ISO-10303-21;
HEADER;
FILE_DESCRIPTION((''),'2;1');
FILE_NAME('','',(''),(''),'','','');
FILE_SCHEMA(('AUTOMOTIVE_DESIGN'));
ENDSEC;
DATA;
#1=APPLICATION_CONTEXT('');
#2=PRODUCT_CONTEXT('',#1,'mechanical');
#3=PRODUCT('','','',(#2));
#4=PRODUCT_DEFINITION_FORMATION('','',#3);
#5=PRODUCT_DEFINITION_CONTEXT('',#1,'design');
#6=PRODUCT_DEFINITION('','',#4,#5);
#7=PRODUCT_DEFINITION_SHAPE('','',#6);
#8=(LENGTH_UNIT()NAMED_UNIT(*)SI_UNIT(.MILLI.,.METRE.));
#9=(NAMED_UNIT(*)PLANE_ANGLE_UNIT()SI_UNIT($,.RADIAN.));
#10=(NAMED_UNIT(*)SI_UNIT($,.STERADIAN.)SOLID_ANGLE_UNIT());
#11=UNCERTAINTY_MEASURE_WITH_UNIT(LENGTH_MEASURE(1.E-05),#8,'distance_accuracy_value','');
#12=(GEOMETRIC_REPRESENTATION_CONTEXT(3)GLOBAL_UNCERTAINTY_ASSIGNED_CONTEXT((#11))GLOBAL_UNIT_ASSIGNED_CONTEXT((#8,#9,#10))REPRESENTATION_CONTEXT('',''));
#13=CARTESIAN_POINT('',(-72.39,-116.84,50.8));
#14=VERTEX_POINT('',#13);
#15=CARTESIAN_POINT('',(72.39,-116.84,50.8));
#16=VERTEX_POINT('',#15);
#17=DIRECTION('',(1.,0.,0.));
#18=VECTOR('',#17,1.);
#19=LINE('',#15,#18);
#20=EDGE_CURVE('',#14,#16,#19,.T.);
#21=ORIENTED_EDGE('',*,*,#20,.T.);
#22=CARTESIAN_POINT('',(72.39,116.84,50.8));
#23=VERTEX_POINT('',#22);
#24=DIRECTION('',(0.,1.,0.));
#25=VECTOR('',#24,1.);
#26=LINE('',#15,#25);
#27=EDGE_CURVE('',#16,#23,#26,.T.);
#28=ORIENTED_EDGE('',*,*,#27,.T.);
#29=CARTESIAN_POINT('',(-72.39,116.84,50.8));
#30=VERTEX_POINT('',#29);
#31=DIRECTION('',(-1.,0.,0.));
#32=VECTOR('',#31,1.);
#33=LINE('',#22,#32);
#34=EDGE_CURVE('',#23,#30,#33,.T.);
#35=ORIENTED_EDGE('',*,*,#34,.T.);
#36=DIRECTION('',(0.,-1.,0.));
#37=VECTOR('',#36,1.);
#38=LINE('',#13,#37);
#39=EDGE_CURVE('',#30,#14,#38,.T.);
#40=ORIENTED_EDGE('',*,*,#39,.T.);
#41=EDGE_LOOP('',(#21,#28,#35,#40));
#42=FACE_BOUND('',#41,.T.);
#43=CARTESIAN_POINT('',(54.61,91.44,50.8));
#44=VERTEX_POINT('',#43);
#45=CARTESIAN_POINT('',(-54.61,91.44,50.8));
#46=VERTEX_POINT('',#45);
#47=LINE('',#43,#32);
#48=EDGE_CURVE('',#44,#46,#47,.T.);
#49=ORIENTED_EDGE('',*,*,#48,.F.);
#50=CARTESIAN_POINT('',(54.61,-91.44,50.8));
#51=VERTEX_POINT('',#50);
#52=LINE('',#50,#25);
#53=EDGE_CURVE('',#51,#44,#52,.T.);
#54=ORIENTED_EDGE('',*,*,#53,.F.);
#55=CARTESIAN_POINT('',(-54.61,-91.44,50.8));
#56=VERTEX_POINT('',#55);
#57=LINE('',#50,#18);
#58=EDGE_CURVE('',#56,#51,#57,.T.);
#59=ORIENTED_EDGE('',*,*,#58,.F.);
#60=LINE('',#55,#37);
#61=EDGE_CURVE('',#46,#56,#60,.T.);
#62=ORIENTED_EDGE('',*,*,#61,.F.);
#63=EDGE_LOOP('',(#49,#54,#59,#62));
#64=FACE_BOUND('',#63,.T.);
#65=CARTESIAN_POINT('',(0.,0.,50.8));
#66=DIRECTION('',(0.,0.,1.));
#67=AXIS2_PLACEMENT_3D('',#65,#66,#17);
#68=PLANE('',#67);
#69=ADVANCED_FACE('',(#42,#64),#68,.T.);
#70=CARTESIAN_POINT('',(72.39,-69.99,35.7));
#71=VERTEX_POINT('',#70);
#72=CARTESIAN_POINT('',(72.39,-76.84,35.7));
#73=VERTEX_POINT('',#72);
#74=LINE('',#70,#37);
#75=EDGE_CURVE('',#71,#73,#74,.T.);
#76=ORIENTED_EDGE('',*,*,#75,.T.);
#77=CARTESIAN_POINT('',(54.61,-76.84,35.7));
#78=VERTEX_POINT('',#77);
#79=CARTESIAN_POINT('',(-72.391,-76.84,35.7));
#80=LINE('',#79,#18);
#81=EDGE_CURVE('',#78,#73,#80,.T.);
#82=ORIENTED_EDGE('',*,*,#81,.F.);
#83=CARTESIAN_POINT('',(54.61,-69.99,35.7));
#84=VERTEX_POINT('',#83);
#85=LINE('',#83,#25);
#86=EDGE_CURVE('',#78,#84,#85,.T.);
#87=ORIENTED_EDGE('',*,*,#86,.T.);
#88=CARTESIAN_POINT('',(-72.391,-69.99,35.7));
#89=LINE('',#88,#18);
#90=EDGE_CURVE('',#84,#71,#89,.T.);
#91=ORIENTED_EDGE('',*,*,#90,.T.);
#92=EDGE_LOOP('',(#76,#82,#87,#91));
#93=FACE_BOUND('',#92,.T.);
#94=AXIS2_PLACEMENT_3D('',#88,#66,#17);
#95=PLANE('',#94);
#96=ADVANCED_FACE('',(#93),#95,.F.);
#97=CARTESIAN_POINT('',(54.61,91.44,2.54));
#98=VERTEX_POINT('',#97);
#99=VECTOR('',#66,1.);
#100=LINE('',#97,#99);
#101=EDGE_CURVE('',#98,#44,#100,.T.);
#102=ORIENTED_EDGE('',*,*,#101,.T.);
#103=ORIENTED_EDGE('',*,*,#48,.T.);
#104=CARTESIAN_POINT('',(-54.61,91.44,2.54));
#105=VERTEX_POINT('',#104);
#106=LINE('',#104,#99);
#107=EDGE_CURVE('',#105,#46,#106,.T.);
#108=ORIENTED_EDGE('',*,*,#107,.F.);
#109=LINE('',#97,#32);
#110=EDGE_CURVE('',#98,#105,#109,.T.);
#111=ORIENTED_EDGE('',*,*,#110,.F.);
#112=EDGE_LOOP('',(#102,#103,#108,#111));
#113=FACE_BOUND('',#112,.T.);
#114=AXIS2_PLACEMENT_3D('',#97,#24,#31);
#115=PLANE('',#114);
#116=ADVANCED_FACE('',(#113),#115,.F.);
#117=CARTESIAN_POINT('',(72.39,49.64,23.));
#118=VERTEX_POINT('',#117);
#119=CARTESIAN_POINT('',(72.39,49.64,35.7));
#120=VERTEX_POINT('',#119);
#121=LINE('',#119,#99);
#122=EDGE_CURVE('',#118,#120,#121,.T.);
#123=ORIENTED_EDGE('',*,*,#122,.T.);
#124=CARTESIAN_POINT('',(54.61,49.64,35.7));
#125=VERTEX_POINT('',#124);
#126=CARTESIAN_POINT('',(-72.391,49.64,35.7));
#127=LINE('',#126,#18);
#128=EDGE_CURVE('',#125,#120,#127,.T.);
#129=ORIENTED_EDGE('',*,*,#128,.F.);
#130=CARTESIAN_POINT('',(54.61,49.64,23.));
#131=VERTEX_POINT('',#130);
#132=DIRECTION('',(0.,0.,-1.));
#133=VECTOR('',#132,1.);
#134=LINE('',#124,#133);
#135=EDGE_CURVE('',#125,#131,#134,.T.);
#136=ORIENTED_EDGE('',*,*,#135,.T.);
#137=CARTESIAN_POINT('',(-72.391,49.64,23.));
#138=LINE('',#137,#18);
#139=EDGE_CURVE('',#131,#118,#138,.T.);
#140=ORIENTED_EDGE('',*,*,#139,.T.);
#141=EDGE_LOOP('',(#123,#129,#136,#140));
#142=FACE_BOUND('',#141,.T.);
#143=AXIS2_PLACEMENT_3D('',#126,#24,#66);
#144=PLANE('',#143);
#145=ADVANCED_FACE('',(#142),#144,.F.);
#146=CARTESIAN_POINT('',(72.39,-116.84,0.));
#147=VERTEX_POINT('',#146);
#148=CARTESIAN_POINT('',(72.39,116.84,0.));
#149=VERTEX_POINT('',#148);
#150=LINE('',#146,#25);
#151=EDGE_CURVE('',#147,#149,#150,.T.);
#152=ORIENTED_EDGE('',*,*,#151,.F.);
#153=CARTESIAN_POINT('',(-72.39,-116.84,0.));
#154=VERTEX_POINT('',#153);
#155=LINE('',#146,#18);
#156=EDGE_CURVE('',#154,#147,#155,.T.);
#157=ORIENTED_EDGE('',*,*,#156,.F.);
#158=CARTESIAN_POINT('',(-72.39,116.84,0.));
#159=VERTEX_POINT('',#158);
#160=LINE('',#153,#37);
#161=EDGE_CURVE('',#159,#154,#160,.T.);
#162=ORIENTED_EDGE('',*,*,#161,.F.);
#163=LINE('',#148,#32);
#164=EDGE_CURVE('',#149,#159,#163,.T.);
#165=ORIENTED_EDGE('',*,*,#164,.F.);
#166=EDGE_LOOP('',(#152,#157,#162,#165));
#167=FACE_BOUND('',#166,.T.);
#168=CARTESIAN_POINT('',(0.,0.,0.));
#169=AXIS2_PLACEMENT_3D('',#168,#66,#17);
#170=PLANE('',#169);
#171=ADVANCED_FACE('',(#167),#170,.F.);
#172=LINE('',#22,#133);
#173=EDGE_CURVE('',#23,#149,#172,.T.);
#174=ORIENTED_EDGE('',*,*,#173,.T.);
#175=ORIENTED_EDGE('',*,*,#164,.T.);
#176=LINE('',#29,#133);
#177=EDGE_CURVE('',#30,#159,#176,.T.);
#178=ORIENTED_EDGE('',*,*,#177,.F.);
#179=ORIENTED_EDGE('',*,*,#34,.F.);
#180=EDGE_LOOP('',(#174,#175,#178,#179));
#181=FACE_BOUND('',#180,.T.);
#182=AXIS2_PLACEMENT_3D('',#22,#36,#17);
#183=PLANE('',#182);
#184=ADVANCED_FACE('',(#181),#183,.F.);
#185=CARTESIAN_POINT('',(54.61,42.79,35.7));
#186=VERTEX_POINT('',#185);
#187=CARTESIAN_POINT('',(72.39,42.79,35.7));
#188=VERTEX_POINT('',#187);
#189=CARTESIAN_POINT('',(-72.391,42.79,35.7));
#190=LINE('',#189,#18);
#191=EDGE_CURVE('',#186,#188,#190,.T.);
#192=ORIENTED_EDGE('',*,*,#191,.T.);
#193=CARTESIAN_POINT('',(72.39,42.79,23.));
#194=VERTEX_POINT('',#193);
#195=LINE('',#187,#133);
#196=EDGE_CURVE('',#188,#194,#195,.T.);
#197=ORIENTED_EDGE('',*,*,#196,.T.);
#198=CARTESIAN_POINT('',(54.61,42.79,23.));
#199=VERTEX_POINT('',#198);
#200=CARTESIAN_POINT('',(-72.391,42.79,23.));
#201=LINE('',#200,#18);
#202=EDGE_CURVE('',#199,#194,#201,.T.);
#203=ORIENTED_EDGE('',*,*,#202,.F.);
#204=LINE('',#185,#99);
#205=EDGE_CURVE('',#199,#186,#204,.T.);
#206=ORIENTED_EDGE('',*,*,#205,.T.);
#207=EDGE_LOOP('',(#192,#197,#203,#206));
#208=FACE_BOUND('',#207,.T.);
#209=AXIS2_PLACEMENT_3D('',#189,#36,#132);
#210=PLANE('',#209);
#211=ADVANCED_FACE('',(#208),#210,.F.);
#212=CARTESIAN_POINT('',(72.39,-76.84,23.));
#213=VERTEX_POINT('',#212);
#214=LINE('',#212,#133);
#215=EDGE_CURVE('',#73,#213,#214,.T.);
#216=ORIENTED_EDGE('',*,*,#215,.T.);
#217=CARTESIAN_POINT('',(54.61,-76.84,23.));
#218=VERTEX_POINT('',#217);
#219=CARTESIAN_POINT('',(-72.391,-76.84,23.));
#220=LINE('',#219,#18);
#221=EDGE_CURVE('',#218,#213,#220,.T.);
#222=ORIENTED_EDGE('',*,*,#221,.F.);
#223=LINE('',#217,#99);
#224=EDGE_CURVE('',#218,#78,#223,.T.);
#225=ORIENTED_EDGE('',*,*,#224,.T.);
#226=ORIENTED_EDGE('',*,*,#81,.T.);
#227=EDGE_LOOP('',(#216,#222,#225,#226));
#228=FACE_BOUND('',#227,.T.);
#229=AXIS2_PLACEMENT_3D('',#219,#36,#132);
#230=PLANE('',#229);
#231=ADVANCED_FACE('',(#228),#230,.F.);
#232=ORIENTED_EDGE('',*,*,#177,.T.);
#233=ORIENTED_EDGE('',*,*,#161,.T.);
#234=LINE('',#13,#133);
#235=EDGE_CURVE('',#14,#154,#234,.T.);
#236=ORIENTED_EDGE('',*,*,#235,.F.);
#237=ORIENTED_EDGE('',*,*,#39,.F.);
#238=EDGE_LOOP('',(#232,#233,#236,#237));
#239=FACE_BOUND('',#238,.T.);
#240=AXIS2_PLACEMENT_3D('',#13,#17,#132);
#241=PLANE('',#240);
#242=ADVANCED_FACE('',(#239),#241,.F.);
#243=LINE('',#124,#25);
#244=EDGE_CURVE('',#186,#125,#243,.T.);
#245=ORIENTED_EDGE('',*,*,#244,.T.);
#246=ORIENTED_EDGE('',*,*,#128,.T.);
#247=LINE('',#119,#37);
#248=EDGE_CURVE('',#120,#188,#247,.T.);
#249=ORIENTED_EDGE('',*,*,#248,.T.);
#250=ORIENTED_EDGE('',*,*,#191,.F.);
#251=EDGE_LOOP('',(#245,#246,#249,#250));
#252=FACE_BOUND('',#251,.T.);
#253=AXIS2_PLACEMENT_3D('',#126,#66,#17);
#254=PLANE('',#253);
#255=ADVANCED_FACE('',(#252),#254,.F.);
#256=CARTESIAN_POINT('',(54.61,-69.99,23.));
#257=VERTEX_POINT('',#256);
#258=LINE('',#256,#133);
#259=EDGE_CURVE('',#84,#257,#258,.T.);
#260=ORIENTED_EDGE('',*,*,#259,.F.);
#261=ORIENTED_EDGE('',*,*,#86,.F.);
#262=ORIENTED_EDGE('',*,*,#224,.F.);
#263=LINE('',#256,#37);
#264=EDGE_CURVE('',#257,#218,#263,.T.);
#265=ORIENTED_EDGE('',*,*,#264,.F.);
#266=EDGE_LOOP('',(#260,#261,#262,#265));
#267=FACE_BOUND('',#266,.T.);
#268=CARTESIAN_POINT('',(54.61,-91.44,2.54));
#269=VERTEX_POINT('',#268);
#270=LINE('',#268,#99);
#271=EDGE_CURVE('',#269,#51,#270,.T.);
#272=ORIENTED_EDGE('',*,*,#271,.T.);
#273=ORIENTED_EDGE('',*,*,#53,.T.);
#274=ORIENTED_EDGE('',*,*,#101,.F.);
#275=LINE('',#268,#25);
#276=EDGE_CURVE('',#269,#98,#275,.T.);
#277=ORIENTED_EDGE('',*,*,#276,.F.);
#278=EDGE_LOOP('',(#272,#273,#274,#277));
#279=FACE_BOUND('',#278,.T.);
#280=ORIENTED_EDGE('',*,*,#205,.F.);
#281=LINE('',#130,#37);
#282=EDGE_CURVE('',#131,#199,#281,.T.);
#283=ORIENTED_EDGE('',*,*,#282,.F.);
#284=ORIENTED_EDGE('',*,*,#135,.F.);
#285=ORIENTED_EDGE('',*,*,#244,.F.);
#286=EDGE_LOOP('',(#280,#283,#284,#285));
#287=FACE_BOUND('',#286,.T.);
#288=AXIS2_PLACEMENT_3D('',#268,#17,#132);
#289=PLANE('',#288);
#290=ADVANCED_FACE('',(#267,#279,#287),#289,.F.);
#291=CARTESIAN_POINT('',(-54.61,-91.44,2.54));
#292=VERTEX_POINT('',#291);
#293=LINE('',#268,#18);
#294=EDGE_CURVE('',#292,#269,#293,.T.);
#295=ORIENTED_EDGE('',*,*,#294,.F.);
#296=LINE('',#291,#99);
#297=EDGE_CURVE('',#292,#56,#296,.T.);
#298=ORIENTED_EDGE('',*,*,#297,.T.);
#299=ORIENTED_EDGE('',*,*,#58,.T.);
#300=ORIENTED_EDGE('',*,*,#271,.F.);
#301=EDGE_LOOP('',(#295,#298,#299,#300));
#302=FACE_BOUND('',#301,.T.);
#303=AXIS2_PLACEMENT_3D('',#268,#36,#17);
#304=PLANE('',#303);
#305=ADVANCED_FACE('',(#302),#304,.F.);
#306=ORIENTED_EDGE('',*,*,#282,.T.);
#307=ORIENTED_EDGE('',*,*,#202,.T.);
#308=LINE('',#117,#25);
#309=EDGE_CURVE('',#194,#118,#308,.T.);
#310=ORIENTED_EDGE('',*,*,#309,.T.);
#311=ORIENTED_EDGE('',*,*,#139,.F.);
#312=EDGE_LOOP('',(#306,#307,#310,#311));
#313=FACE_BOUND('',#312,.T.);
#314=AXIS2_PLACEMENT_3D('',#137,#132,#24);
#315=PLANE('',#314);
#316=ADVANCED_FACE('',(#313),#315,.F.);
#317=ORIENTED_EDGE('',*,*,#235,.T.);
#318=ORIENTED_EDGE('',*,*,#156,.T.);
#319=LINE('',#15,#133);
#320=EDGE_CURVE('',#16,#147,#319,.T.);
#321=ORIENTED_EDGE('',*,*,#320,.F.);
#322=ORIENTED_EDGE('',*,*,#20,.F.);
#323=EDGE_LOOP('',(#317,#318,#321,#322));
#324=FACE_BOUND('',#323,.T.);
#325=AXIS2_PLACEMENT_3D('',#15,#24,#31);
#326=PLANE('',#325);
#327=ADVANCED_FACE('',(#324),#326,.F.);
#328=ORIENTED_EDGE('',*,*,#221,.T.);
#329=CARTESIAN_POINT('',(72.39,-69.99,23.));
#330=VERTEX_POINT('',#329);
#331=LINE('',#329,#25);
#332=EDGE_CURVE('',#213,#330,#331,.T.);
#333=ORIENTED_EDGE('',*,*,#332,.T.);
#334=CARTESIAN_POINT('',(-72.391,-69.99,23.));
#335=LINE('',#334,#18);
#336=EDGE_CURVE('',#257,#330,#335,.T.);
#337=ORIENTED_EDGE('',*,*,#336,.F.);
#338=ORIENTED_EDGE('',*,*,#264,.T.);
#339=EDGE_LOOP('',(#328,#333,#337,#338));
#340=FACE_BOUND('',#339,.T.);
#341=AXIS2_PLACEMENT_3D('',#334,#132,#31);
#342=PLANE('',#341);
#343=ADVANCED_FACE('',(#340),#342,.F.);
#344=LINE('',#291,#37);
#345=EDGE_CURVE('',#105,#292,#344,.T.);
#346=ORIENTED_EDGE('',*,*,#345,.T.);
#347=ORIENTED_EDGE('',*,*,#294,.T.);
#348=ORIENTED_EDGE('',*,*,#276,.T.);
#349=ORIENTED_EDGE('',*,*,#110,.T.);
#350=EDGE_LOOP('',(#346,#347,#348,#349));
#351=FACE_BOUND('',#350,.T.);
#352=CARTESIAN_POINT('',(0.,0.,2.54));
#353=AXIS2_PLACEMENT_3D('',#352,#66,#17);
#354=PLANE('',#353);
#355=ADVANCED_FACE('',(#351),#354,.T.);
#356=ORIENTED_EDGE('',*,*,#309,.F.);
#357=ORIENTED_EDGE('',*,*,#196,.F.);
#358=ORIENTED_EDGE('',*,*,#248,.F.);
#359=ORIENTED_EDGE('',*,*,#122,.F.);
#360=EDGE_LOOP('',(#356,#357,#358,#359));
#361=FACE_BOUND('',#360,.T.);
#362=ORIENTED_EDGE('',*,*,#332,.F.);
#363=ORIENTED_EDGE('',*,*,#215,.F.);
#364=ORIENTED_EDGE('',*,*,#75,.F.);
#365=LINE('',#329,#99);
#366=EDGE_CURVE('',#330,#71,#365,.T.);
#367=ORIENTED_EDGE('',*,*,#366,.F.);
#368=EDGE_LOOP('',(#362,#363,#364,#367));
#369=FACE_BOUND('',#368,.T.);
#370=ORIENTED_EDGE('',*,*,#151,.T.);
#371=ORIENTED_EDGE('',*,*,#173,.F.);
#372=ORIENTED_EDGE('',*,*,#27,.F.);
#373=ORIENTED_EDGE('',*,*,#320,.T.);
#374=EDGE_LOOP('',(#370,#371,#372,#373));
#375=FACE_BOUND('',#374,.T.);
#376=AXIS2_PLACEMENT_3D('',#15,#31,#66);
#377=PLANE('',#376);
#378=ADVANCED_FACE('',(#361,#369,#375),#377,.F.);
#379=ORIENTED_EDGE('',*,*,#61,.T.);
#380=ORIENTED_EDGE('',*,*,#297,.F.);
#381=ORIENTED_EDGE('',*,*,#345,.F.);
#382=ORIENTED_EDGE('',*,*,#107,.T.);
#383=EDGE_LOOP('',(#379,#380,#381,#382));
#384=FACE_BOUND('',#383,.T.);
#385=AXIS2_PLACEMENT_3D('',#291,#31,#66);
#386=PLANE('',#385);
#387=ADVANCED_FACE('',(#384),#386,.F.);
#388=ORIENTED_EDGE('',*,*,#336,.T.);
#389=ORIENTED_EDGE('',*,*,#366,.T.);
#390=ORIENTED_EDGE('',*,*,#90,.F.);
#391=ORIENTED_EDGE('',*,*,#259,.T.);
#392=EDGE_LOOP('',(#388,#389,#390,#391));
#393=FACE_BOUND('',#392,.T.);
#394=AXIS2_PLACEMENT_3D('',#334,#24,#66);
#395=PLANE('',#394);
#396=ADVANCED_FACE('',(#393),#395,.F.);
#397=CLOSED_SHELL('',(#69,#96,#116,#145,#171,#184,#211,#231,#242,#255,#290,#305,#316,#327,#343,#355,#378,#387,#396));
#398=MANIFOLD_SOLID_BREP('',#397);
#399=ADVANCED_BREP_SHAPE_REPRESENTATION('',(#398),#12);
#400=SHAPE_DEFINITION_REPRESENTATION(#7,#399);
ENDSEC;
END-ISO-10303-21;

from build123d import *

# Parameters (mm, degrees)
SKETCH1_W           = 144.78
SKETCH1_H           = 233.68
BOSS_EXTRUDE1_DEPTH = 50.8
SKETCH2_W           = 109.22
SKETCH2_H           = 182.88
CUT_EXTRUDE1_DEPTH  = 48.26
CUT_EXTRUDE3_REACH  = 194.856
SKETCH6_W           = 12.7
SKETCH6_H           = 6.85


with BuildPart() as part:
    # Sketch1 → Boss-Extrude1 (new body)
    with BuildSketch(Plane.XY):
        Rectangle(SKETCH1_W, SKETCH1_H)
    extrude(amount=BOSS_EXTRUDE1_DEPTH)

    # Sketch2 → Cut-Extrude1 (cut)
    with BuildSketch(Plane.XY.offset(50.8)):
        Rectangle(SKETCH2_W, SKETCH2_H)
    extrude(amount=-CUT_EXTRUDE1_DEPTH, mode=Mode.SUBTRACT)

    # Sketch6 → Cut-Extrude3 (cut, up to next)
    with BuildSketch(Plane(origin=(72.39, 0, 0), x_dir=(0, 0, -1), z_dir=(1, 0, 0)), mode=Mode.PRIVATE) as cut_extrude3_sk1:
        with Locations((-29.35, 46.215)):
            Rectangle(SKETCH6_W, SKETCH6_H)
    cut_extrude3_tool1 = extrude(cut_extrude3_sk1.sketch, amount=-CUT_EXTRUDE3_REACH, mode=Mode.PRIVATE) & part.part
    # Sketch6 → Cut-Extrude3 (cut, up to next)
    with BuildSketch(Plane(origin=(72.39, 0, 0), x_dir=(0, 0, -1), z_dir=(1, 0, 0)), mode=Mode.PRIVATE) as cut_extrude3_sk2:
        with Locations((-29.35, -73.415)):
            Rectangle(SKETCH6_W, SKETCH6_H)
    cut_extrude3_tool2 = extrude(cut_extrude3_sk2.sketch, amount=-CUT_EXTRUDE3_REACH, mode=Mode.PRIVATE) & part.part
    add(cut_extrude3_tool1.solids().sort_by_distance((72.39, 46.215, 29.35))[0], mode=Mode.SUBTRACT)
    add(cut_extrude3_tool2.solids().sort_by_distance((72.39, -73.415, 29.35))[0], mode=Mode.SUBTRACT)


solid = part.part
